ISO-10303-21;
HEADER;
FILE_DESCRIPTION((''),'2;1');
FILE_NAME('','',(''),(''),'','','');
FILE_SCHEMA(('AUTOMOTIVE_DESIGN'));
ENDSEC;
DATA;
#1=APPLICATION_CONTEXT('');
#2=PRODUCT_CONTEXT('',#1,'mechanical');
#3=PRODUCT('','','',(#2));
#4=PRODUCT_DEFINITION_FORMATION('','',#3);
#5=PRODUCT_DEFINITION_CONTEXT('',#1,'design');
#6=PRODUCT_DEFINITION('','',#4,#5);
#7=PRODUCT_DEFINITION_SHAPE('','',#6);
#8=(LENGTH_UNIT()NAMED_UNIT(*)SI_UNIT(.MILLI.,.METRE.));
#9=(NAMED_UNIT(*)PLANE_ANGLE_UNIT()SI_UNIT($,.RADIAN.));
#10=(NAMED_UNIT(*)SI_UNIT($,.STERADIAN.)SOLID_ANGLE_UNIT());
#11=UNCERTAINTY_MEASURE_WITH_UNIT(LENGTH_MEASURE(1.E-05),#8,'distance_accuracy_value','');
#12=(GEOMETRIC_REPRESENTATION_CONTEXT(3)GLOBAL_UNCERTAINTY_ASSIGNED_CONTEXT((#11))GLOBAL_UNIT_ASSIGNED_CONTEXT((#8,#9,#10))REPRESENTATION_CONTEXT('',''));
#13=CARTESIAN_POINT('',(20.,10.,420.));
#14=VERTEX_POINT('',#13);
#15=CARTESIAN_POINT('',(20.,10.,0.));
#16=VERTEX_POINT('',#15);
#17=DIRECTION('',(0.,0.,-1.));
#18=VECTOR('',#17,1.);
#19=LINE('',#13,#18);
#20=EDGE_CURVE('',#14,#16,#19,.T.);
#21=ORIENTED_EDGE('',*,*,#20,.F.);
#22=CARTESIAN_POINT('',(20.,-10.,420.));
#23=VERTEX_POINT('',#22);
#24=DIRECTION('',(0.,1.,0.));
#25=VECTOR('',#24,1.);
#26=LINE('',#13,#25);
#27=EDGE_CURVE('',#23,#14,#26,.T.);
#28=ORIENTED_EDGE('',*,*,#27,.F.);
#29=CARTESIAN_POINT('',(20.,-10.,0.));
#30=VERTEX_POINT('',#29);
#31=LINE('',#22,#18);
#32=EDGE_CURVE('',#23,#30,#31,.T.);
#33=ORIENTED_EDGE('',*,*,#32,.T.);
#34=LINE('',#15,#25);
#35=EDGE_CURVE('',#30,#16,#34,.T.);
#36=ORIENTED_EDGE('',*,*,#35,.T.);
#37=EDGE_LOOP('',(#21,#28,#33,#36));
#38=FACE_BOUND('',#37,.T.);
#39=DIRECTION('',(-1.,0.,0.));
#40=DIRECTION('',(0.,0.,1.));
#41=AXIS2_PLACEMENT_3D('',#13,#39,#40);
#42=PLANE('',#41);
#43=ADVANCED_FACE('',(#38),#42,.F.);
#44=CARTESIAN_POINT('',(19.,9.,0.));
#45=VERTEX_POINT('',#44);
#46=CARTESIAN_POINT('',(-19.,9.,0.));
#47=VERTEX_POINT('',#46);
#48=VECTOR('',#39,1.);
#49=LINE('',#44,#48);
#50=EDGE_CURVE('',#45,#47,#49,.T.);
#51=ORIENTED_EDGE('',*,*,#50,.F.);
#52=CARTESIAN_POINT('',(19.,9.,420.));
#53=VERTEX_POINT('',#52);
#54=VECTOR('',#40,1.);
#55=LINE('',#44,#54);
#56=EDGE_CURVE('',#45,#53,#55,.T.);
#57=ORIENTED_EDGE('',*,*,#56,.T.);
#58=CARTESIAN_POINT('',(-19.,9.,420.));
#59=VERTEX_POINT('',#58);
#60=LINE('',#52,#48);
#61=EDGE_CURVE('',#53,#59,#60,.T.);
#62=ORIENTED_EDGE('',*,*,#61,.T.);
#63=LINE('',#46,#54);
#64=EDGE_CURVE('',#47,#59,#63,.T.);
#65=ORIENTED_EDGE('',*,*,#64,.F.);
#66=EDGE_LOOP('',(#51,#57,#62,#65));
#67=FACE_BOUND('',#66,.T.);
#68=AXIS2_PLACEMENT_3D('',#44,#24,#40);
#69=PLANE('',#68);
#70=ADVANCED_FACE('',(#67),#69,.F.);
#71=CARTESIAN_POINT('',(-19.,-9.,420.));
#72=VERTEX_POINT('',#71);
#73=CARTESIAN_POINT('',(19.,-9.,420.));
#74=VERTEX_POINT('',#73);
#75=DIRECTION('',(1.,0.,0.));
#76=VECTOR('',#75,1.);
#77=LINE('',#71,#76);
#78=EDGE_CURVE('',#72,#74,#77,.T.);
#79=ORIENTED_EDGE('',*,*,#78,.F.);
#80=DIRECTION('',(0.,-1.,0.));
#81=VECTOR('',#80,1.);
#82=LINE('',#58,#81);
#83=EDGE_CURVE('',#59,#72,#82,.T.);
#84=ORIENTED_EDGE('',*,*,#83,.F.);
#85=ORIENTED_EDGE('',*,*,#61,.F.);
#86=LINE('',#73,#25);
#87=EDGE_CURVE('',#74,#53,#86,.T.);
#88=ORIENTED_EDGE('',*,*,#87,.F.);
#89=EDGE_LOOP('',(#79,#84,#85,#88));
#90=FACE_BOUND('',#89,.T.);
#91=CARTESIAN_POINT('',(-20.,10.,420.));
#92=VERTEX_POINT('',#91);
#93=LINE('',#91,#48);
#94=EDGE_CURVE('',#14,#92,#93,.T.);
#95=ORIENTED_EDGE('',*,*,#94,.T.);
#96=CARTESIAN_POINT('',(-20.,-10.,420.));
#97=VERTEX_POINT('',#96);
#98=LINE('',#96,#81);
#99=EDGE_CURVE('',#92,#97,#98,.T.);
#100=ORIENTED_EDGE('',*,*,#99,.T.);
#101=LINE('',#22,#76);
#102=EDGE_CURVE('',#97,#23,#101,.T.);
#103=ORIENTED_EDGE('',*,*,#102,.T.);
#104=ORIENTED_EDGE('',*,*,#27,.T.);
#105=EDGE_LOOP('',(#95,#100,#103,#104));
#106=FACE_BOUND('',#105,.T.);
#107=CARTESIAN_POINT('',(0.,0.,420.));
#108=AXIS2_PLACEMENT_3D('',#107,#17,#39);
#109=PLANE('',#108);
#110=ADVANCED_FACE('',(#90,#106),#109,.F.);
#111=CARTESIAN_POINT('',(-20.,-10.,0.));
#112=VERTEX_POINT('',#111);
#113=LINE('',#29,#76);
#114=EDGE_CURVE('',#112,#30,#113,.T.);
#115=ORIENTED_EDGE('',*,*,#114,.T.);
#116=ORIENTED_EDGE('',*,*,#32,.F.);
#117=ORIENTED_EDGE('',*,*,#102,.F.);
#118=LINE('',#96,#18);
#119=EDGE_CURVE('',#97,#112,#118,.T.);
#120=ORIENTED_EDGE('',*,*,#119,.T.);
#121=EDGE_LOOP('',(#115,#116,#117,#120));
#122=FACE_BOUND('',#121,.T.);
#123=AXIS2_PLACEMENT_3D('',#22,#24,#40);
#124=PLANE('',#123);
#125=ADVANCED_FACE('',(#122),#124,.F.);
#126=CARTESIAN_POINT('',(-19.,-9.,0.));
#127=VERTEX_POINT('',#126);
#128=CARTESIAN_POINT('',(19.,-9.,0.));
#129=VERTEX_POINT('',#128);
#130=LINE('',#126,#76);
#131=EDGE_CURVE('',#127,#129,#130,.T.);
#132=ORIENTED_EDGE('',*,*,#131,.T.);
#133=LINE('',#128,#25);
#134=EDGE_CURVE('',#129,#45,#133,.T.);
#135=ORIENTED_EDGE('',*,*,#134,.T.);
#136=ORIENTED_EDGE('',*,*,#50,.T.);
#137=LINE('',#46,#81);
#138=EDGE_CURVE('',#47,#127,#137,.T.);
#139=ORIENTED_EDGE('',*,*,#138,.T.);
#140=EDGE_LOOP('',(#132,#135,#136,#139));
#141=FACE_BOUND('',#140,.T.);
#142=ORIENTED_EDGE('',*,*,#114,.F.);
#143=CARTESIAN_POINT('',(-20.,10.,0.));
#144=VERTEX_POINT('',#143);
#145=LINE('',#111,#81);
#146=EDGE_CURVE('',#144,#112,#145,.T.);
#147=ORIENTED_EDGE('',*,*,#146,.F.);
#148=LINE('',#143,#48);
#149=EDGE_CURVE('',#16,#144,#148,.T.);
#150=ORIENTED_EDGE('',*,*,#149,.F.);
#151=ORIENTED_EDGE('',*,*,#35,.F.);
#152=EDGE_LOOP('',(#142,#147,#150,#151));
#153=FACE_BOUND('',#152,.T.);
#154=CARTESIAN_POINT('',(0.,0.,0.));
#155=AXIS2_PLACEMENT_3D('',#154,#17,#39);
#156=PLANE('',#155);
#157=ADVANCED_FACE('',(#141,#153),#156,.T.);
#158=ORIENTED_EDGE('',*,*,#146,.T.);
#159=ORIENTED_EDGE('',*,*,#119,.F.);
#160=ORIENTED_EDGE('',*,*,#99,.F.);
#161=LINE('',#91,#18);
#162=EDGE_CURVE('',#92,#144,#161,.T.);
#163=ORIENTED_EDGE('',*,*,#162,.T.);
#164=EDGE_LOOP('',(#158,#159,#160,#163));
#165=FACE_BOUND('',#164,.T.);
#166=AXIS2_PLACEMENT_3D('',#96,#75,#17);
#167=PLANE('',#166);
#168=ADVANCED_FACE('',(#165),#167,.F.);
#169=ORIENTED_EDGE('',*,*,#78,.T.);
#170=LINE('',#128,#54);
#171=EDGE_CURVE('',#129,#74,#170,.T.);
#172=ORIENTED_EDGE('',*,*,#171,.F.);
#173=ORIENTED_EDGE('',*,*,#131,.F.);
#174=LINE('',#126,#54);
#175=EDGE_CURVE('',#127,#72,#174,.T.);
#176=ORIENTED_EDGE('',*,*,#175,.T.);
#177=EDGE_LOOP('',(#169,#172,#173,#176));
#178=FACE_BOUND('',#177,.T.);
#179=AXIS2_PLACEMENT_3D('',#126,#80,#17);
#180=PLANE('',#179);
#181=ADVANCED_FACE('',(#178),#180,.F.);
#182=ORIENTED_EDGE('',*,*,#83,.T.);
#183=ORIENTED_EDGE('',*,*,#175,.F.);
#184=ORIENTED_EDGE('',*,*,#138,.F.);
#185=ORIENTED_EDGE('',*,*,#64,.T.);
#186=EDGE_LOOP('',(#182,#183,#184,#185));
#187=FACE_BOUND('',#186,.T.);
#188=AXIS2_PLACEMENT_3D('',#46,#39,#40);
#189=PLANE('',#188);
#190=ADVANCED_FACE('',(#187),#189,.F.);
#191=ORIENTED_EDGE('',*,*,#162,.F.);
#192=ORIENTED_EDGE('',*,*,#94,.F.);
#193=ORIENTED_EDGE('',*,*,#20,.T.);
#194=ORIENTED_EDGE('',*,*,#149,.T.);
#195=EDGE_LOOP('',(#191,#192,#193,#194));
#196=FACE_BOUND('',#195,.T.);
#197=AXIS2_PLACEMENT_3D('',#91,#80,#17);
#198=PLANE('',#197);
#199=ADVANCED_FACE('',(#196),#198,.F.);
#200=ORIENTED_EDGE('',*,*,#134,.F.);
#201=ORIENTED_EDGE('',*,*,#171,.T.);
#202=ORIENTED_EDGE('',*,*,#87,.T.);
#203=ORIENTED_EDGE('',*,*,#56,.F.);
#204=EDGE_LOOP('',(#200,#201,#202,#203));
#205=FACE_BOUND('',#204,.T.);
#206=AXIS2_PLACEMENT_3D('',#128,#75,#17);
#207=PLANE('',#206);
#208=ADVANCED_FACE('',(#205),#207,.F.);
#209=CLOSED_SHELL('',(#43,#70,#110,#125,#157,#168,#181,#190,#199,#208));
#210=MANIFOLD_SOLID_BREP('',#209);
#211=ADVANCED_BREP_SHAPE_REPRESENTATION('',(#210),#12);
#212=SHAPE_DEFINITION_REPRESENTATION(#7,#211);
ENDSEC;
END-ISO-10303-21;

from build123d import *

# Parameters (mm, degrees)
SKETCH1_W           = 40
SKETCH1_H           = 20
BOSS_EXTRUDE1_DEPTH = 420
SKETCH2_W           = 38
SKETCH2_H           = 18
CUT_EXTRUDE1_DEPTH  = 421


with BuildPart() as part:
    # Sketch1 → Boss-Extrude1 (new body)
    with BuildSketch(Plane.XY):
        Rectangle(SKETCH1_W, SKETCH1_H)
    extrude(amount=BOSS_EXTRUDE1_DEPTH)

    # Sketch2 → Cut-Extrude1 (cut, through all)
    with BuildSketch(Plane.XY.offset(420)):
        Rectangle(SKETCH2_W, SKETCH2_H)
    extrude(amount=-CUT_EXTRUDE1_DEPTH, mode=Mode.SUBTRACT)


solid = part.part
